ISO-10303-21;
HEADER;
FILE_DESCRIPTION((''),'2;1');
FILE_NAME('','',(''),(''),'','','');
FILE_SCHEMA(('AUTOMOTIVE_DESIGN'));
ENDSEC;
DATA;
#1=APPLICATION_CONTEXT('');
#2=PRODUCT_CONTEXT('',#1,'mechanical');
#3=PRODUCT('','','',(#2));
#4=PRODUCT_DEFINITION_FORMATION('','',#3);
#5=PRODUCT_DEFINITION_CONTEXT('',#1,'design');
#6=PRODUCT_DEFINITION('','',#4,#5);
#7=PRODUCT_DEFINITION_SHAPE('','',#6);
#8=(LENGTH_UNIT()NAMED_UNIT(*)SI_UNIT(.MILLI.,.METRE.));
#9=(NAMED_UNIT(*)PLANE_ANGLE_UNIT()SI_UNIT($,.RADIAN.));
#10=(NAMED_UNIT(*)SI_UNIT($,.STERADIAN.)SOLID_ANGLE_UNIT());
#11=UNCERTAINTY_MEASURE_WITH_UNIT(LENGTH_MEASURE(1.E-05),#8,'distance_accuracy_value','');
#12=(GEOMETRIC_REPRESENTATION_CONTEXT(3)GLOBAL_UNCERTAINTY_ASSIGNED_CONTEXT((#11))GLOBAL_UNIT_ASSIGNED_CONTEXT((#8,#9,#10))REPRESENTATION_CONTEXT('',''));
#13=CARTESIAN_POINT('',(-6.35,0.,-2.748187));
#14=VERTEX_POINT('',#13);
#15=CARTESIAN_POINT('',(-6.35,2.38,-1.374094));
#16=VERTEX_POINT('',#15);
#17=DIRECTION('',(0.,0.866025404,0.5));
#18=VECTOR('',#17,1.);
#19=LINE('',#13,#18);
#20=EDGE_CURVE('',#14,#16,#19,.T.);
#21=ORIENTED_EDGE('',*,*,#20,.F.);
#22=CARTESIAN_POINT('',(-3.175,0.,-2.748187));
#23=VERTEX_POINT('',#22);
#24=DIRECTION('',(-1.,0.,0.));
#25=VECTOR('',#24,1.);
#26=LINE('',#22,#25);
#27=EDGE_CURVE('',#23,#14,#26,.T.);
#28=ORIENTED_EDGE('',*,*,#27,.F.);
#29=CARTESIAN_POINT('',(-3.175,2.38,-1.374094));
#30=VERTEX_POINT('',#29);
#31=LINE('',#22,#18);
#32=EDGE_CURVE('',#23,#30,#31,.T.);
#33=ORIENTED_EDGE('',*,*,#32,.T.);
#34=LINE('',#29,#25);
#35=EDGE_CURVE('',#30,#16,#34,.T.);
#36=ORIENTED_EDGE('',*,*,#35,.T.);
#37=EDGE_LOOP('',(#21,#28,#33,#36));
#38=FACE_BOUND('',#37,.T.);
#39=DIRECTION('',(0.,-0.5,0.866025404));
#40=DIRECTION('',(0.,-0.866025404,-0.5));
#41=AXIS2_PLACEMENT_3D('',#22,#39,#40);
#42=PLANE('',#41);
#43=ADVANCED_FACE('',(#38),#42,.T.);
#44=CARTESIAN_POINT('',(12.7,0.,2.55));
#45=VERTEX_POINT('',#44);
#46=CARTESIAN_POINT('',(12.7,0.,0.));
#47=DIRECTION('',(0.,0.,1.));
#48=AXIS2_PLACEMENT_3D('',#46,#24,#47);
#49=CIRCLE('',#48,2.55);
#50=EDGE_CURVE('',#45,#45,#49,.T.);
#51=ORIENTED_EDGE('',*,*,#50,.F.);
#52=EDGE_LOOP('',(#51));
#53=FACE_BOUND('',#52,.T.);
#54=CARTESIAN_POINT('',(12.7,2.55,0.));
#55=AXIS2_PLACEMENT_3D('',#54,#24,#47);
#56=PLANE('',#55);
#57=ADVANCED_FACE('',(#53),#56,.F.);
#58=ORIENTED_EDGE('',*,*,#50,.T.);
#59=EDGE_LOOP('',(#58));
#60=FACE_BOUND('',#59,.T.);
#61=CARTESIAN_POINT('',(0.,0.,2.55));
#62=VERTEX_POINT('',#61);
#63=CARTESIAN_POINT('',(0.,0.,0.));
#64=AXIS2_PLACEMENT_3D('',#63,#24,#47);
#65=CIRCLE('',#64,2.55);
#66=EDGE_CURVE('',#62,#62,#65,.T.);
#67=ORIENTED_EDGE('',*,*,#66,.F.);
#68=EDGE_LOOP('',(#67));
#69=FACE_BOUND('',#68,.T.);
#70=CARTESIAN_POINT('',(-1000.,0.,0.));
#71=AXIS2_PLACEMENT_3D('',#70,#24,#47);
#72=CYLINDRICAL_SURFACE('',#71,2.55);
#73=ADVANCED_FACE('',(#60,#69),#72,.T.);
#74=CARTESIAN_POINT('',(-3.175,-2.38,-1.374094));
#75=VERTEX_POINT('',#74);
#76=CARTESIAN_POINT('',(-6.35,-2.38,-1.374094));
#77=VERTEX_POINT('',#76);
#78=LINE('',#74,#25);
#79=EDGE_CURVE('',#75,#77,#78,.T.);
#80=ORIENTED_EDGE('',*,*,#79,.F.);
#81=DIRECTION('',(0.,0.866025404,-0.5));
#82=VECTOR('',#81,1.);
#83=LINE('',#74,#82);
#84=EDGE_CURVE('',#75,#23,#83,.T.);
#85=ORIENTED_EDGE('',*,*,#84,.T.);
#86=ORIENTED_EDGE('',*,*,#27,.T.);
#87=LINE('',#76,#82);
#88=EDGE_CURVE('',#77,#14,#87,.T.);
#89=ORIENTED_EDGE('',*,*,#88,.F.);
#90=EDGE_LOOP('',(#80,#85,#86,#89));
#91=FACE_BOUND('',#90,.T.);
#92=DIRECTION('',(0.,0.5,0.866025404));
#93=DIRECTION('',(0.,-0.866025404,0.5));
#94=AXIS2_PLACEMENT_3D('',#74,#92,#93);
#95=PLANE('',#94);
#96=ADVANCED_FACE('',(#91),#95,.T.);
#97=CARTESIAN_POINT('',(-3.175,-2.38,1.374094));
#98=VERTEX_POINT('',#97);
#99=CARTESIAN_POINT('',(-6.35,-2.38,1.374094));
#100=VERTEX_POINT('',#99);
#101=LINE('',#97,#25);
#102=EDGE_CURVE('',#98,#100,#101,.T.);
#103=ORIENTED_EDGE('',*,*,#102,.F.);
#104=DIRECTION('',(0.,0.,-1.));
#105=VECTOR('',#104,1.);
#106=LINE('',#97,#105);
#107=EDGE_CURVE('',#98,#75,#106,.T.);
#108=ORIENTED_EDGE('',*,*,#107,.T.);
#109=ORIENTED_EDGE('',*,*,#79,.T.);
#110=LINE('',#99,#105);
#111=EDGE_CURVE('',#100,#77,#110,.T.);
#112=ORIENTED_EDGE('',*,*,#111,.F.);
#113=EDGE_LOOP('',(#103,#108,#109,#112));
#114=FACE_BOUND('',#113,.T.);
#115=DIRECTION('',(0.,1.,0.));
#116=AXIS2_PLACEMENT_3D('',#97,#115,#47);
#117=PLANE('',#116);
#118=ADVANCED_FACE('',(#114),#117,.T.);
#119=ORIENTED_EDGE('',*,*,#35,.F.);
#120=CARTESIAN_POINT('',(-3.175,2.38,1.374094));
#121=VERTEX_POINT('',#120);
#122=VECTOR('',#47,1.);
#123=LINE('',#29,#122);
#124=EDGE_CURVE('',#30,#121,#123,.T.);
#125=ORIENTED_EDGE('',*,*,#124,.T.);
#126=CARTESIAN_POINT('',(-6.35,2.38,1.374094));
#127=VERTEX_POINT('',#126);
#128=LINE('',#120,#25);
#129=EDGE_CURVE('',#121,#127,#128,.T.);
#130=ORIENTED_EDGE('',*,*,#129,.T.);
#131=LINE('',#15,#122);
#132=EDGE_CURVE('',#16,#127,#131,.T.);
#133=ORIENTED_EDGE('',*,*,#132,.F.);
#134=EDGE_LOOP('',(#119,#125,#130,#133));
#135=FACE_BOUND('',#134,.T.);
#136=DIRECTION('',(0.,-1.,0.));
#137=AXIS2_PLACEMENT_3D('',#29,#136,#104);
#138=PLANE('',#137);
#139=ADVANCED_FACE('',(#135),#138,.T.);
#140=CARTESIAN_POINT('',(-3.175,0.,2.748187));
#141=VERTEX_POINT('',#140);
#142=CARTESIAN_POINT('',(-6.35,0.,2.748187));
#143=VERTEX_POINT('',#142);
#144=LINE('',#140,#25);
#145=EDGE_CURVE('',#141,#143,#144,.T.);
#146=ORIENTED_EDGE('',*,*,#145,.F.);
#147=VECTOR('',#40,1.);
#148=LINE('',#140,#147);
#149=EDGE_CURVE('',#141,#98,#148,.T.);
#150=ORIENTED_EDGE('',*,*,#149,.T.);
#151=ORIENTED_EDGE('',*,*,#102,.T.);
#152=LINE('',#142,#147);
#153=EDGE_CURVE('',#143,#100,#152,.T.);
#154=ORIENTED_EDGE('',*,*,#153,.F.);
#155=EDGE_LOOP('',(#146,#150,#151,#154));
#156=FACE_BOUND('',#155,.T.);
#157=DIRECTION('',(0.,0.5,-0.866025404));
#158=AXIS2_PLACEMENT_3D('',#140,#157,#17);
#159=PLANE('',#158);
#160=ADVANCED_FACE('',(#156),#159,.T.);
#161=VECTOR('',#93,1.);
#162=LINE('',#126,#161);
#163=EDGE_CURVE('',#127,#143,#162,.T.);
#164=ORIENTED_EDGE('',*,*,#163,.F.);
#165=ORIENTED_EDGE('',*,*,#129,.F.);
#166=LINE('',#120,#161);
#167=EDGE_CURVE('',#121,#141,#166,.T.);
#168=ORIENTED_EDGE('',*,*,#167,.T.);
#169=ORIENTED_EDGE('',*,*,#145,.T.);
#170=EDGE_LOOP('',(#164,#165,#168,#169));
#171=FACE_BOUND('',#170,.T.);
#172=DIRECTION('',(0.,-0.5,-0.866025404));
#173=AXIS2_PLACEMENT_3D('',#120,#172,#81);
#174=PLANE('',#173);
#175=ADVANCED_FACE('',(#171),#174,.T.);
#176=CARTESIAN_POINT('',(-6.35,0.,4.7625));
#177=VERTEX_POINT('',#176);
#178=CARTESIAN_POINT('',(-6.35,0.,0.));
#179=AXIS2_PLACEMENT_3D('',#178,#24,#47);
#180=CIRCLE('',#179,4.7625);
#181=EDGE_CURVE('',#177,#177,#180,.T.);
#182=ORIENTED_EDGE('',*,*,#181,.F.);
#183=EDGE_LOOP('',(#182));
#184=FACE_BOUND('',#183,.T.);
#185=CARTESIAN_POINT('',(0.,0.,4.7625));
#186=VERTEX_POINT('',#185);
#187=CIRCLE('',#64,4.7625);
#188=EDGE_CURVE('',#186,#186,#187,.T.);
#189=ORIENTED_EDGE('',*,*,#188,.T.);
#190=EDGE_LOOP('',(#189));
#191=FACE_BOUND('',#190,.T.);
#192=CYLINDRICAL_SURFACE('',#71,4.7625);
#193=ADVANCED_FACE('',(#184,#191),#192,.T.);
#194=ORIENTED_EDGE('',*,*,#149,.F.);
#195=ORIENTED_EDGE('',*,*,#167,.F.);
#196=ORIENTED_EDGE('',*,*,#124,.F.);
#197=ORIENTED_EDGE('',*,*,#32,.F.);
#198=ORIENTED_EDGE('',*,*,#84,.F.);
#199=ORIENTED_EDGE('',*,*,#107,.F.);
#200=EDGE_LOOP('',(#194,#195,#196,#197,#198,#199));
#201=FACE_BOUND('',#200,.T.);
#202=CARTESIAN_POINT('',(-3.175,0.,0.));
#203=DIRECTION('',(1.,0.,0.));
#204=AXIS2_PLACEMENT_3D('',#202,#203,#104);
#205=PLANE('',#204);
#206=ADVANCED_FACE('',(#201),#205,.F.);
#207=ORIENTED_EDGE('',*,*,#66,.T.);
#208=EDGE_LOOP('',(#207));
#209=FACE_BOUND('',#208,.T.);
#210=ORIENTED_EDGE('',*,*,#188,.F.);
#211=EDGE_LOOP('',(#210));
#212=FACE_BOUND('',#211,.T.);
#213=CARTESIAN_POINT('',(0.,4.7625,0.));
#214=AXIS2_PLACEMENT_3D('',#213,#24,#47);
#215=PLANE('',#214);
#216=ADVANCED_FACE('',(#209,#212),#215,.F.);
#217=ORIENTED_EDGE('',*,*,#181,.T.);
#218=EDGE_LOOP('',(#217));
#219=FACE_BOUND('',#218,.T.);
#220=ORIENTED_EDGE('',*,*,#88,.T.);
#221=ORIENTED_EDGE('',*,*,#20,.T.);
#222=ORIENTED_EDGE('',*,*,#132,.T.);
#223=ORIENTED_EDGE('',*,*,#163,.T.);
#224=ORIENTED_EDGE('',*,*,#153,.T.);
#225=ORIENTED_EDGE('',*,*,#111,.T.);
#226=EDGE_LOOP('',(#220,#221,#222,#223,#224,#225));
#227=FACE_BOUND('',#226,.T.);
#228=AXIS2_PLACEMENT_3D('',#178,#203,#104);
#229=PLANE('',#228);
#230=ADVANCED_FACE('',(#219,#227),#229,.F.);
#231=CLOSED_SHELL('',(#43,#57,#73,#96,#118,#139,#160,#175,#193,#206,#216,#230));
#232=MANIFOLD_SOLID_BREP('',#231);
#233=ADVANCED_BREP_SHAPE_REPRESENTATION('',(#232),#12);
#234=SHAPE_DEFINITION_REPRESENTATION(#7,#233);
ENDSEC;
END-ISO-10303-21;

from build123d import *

# Parameters (mm, degrees)
SOCKET_DEPTH = 3.175


with BuildPart() as part:
    # Screw Sketch → Screw (revolve)
    with BuildSketch(Plane.XY):
        Polygon((-6.35, 0), (-6.35, 4.7625), (0, 4.7625), (0, 2.55), (12.7, 2.55), (12.7, 0), align=None)
    revolve(axis=Axis((-1000, 0, 0), (1, 0, 0)))

    # Socket Sketch → Socket (cut)
    with BuildSketch(Plane(origin=(-6.35, 0, 0), x_dir=(0, 0, -1), z_dir=(1, 0, 0))):
        Polygon((2.748187281, 0), (1.374093641, 2.38), (-1.374093641, 2.38), (-2.748187281, 0), (-1.374093641, -2.38), (1.374093641, -2.38), align=None)
    extrude(amount=SOCKET_DEPTH, mode=Mode.SUBTRACT)


solid = part.part
